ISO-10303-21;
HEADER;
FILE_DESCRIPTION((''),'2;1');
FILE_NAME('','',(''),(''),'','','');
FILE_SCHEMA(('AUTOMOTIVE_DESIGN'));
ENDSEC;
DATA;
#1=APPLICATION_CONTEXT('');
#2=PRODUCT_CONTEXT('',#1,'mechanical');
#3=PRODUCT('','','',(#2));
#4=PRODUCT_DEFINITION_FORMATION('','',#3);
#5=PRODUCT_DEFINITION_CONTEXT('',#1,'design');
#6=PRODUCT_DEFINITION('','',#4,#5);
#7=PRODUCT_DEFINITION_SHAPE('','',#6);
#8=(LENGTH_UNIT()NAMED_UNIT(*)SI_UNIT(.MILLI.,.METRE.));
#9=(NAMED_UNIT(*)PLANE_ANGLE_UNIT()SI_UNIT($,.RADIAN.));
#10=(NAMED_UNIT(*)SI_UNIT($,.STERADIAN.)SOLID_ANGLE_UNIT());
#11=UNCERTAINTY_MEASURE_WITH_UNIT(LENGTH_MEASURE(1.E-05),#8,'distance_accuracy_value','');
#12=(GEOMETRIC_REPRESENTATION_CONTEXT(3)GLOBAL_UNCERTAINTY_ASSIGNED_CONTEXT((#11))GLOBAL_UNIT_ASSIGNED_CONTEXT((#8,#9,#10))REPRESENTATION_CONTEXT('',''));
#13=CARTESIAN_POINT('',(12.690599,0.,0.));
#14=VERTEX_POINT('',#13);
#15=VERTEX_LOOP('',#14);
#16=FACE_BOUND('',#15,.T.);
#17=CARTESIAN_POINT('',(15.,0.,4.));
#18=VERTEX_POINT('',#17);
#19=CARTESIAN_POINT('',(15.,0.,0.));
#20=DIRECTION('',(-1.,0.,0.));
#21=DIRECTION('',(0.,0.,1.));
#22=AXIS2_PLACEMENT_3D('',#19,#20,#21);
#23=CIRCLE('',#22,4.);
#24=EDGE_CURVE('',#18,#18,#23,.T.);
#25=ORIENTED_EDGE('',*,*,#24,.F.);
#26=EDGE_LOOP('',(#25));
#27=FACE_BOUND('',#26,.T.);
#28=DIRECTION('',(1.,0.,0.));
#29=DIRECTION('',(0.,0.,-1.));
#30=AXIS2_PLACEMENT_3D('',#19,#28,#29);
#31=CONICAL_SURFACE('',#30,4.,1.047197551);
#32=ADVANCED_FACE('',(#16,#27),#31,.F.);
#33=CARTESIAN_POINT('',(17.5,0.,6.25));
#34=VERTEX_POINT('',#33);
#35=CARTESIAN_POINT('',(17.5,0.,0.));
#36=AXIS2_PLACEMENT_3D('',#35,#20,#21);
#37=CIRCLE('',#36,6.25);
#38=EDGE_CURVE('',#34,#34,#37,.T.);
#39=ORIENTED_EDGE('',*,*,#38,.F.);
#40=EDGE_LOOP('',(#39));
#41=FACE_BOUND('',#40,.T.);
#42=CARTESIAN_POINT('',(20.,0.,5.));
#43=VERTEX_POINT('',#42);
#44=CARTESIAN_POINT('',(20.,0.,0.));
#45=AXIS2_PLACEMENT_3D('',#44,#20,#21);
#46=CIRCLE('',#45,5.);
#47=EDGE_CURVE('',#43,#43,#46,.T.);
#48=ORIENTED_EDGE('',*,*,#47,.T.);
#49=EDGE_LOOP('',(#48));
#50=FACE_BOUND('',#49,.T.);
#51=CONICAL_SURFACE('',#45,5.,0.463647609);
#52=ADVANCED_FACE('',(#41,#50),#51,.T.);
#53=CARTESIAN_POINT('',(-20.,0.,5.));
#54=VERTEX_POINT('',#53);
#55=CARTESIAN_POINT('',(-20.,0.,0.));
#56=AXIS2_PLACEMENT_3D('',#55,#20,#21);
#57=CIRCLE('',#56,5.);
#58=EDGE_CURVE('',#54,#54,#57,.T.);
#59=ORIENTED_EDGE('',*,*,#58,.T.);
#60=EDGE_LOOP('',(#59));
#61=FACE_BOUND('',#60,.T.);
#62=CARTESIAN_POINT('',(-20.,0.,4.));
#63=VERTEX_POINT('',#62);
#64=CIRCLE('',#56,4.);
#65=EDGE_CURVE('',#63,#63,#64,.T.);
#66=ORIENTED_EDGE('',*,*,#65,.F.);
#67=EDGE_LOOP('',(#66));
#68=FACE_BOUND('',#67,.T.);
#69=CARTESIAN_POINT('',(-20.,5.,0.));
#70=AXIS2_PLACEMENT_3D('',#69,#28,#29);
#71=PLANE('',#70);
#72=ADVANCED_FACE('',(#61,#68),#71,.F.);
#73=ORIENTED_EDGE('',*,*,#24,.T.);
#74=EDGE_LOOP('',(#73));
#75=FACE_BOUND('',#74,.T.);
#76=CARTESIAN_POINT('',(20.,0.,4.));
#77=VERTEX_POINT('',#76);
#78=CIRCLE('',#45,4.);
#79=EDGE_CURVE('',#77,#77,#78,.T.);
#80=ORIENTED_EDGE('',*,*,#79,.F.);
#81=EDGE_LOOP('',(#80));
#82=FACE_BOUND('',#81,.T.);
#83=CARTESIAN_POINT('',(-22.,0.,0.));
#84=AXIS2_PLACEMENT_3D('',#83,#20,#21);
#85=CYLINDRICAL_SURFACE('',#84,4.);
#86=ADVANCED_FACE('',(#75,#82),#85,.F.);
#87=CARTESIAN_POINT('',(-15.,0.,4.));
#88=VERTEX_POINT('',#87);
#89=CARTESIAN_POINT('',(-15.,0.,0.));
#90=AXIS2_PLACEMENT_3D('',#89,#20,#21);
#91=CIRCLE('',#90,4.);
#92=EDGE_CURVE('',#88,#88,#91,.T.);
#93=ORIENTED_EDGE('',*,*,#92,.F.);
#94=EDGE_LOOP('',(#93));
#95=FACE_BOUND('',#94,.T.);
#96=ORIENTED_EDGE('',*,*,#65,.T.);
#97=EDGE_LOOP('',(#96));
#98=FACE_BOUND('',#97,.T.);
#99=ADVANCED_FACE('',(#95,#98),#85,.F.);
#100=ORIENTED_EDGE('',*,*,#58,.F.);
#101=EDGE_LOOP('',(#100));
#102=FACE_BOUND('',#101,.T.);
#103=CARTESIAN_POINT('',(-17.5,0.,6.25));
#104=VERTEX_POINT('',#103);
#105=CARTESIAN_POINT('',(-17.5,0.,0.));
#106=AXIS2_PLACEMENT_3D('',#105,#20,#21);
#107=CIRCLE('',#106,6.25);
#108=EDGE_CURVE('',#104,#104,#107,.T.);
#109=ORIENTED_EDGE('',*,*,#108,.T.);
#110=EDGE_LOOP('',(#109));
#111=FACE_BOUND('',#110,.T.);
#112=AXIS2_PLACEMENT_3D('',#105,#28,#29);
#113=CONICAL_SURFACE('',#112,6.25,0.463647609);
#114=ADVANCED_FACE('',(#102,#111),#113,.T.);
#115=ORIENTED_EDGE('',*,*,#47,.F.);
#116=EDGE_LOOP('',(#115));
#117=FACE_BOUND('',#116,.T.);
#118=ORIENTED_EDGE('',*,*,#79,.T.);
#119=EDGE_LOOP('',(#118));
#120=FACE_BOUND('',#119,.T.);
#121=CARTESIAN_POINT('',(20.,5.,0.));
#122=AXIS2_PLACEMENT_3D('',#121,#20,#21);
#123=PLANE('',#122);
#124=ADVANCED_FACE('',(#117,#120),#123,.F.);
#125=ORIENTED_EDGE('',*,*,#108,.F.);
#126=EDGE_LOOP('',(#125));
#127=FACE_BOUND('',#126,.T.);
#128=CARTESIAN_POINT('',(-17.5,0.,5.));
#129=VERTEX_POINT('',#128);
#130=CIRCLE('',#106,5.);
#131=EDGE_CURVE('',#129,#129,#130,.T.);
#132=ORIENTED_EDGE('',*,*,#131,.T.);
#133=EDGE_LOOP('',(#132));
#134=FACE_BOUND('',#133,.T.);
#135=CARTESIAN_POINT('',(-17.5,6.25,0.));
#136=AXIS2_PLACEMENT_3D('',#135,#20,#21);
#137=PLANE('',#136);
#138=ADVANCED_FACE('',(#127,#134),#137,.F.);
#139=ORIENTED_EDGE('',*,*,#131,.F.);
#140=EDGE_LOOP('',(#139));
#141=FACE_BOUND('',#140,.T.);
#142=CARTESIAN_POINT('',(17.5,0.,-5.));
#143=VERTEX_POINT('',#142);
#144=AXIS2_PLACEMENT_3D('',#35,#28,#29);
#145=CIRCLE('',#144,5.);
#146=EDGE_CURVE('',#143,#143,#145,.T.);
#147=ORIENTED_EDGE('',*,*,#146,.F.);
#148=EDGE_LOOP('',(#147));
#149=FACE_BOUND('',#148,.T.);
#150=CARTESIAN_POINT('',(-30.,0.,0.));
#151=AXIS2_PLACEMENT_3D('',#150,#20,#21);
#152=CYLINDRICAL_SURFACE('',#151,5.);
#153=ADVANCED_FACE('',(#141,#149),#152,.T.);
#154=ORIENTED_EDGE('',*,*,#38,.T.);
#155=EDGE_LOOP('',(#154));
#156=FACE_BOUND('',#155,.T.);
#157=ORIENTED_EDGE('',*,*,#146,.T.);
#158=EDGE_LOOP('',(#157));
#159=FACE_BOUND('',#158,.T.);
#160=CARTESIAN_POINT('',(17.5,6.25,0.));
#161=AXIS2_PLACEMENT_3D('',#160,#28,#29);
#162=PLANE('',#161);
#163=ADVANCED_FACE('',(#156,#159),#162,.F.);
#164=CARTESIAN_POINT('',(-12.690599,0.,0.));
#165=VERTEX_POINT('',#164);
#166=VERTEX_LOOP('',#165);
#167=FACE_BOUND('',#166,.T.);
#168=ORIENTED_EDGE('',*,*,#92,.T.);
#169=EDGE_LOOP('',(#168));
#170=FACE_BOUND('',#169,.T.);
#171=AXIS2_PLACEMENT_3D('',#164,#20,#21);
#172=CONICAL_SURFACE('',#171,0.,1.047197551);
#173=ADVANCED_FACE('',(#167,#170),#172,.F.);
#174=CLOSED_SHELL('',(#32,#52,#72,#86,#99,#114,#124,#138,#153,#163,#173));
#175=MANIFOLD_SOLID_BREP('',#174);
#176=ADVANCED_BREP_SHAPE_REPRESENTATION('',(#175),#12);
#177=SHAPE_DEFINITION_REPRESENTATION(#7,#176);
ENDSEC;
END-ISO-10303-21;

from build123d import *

# Parameters (mm, degrees)
SKETCH1_W = 40
SKETCH1_H = 5
SKETCH2_W = 3.5
SKETCH2_H = 6


with BuildPart() as part:
    # Sketch1 → Base-Revolve (revolve)
    with BuildSketch(Plane.XY, mode=Mode.PRIVATE) as base_revolve_sk:
        with Locations((0, 2.5)):
            Rectangle(SKETCH1_W, SKETCH1_H)
    revolve(base_revolve_sk.sketch.rotate(Axis((-30, 0, 0), (1, 0, 0)), 90), axis=Axis((-30, 0, 0), (1, 0, 0)))

    # Sketch2 → Cut-to-GripLength (revolve, cut)
    with BuildSketch(Plane.XY):
        with Locations((-19.25, 3)):
            Rectangle(SKETCH2_W, SKETCH2_H)
        with Locations((19.25, 3)):
            Rectangle(SKETCH2_W, SKETCH2_H)
    revolve(axis=Axis((-30, 0, 0), (1, 0, 0)), mode=Mode.SUBTRACT)

    # Sketch3 → HeadTypeA (revolve)
    with BuildSketch(Plane.XY, mode=Mode.PRIVATE) as headtypea_sk:
        Polygon((-20, 5), (-20, 0), (-17.5, 0), (-17.5, 6.25), align=None)
        Polygon((20, 5), (17.5, 6.25), (17.5, 0), (20, 0), align=None)
    revolve(headtypea_sk.sketch.rotate(Axis((-23, 0, 0), (1, 0, 0)), 90), axis=Axis((-23, 0, 0), (1, 0, 0)))

    # Sketch5 → HoleTypeA (revolve, cut)
    with BuildSketch(Plane.XY, mode=Mode.PRIVATE) as holetypea_sk:
        Polygon((-12.690598923, 0), (-15, 4), (-20, 4), (-20, 0), align=None)
        Polygon((12.690598923, 0), (15, 4), (20, 4), (20, 0), align=None)
    revolve(holetypea_sk.sketch.rotate(Axis((-22, 0, 0), (1, 0, 0)), 90), axis=Axis((-22, 0, 0), (1, 0, 0)), mode=Mode.SUBTRACT)


solid = part.part
